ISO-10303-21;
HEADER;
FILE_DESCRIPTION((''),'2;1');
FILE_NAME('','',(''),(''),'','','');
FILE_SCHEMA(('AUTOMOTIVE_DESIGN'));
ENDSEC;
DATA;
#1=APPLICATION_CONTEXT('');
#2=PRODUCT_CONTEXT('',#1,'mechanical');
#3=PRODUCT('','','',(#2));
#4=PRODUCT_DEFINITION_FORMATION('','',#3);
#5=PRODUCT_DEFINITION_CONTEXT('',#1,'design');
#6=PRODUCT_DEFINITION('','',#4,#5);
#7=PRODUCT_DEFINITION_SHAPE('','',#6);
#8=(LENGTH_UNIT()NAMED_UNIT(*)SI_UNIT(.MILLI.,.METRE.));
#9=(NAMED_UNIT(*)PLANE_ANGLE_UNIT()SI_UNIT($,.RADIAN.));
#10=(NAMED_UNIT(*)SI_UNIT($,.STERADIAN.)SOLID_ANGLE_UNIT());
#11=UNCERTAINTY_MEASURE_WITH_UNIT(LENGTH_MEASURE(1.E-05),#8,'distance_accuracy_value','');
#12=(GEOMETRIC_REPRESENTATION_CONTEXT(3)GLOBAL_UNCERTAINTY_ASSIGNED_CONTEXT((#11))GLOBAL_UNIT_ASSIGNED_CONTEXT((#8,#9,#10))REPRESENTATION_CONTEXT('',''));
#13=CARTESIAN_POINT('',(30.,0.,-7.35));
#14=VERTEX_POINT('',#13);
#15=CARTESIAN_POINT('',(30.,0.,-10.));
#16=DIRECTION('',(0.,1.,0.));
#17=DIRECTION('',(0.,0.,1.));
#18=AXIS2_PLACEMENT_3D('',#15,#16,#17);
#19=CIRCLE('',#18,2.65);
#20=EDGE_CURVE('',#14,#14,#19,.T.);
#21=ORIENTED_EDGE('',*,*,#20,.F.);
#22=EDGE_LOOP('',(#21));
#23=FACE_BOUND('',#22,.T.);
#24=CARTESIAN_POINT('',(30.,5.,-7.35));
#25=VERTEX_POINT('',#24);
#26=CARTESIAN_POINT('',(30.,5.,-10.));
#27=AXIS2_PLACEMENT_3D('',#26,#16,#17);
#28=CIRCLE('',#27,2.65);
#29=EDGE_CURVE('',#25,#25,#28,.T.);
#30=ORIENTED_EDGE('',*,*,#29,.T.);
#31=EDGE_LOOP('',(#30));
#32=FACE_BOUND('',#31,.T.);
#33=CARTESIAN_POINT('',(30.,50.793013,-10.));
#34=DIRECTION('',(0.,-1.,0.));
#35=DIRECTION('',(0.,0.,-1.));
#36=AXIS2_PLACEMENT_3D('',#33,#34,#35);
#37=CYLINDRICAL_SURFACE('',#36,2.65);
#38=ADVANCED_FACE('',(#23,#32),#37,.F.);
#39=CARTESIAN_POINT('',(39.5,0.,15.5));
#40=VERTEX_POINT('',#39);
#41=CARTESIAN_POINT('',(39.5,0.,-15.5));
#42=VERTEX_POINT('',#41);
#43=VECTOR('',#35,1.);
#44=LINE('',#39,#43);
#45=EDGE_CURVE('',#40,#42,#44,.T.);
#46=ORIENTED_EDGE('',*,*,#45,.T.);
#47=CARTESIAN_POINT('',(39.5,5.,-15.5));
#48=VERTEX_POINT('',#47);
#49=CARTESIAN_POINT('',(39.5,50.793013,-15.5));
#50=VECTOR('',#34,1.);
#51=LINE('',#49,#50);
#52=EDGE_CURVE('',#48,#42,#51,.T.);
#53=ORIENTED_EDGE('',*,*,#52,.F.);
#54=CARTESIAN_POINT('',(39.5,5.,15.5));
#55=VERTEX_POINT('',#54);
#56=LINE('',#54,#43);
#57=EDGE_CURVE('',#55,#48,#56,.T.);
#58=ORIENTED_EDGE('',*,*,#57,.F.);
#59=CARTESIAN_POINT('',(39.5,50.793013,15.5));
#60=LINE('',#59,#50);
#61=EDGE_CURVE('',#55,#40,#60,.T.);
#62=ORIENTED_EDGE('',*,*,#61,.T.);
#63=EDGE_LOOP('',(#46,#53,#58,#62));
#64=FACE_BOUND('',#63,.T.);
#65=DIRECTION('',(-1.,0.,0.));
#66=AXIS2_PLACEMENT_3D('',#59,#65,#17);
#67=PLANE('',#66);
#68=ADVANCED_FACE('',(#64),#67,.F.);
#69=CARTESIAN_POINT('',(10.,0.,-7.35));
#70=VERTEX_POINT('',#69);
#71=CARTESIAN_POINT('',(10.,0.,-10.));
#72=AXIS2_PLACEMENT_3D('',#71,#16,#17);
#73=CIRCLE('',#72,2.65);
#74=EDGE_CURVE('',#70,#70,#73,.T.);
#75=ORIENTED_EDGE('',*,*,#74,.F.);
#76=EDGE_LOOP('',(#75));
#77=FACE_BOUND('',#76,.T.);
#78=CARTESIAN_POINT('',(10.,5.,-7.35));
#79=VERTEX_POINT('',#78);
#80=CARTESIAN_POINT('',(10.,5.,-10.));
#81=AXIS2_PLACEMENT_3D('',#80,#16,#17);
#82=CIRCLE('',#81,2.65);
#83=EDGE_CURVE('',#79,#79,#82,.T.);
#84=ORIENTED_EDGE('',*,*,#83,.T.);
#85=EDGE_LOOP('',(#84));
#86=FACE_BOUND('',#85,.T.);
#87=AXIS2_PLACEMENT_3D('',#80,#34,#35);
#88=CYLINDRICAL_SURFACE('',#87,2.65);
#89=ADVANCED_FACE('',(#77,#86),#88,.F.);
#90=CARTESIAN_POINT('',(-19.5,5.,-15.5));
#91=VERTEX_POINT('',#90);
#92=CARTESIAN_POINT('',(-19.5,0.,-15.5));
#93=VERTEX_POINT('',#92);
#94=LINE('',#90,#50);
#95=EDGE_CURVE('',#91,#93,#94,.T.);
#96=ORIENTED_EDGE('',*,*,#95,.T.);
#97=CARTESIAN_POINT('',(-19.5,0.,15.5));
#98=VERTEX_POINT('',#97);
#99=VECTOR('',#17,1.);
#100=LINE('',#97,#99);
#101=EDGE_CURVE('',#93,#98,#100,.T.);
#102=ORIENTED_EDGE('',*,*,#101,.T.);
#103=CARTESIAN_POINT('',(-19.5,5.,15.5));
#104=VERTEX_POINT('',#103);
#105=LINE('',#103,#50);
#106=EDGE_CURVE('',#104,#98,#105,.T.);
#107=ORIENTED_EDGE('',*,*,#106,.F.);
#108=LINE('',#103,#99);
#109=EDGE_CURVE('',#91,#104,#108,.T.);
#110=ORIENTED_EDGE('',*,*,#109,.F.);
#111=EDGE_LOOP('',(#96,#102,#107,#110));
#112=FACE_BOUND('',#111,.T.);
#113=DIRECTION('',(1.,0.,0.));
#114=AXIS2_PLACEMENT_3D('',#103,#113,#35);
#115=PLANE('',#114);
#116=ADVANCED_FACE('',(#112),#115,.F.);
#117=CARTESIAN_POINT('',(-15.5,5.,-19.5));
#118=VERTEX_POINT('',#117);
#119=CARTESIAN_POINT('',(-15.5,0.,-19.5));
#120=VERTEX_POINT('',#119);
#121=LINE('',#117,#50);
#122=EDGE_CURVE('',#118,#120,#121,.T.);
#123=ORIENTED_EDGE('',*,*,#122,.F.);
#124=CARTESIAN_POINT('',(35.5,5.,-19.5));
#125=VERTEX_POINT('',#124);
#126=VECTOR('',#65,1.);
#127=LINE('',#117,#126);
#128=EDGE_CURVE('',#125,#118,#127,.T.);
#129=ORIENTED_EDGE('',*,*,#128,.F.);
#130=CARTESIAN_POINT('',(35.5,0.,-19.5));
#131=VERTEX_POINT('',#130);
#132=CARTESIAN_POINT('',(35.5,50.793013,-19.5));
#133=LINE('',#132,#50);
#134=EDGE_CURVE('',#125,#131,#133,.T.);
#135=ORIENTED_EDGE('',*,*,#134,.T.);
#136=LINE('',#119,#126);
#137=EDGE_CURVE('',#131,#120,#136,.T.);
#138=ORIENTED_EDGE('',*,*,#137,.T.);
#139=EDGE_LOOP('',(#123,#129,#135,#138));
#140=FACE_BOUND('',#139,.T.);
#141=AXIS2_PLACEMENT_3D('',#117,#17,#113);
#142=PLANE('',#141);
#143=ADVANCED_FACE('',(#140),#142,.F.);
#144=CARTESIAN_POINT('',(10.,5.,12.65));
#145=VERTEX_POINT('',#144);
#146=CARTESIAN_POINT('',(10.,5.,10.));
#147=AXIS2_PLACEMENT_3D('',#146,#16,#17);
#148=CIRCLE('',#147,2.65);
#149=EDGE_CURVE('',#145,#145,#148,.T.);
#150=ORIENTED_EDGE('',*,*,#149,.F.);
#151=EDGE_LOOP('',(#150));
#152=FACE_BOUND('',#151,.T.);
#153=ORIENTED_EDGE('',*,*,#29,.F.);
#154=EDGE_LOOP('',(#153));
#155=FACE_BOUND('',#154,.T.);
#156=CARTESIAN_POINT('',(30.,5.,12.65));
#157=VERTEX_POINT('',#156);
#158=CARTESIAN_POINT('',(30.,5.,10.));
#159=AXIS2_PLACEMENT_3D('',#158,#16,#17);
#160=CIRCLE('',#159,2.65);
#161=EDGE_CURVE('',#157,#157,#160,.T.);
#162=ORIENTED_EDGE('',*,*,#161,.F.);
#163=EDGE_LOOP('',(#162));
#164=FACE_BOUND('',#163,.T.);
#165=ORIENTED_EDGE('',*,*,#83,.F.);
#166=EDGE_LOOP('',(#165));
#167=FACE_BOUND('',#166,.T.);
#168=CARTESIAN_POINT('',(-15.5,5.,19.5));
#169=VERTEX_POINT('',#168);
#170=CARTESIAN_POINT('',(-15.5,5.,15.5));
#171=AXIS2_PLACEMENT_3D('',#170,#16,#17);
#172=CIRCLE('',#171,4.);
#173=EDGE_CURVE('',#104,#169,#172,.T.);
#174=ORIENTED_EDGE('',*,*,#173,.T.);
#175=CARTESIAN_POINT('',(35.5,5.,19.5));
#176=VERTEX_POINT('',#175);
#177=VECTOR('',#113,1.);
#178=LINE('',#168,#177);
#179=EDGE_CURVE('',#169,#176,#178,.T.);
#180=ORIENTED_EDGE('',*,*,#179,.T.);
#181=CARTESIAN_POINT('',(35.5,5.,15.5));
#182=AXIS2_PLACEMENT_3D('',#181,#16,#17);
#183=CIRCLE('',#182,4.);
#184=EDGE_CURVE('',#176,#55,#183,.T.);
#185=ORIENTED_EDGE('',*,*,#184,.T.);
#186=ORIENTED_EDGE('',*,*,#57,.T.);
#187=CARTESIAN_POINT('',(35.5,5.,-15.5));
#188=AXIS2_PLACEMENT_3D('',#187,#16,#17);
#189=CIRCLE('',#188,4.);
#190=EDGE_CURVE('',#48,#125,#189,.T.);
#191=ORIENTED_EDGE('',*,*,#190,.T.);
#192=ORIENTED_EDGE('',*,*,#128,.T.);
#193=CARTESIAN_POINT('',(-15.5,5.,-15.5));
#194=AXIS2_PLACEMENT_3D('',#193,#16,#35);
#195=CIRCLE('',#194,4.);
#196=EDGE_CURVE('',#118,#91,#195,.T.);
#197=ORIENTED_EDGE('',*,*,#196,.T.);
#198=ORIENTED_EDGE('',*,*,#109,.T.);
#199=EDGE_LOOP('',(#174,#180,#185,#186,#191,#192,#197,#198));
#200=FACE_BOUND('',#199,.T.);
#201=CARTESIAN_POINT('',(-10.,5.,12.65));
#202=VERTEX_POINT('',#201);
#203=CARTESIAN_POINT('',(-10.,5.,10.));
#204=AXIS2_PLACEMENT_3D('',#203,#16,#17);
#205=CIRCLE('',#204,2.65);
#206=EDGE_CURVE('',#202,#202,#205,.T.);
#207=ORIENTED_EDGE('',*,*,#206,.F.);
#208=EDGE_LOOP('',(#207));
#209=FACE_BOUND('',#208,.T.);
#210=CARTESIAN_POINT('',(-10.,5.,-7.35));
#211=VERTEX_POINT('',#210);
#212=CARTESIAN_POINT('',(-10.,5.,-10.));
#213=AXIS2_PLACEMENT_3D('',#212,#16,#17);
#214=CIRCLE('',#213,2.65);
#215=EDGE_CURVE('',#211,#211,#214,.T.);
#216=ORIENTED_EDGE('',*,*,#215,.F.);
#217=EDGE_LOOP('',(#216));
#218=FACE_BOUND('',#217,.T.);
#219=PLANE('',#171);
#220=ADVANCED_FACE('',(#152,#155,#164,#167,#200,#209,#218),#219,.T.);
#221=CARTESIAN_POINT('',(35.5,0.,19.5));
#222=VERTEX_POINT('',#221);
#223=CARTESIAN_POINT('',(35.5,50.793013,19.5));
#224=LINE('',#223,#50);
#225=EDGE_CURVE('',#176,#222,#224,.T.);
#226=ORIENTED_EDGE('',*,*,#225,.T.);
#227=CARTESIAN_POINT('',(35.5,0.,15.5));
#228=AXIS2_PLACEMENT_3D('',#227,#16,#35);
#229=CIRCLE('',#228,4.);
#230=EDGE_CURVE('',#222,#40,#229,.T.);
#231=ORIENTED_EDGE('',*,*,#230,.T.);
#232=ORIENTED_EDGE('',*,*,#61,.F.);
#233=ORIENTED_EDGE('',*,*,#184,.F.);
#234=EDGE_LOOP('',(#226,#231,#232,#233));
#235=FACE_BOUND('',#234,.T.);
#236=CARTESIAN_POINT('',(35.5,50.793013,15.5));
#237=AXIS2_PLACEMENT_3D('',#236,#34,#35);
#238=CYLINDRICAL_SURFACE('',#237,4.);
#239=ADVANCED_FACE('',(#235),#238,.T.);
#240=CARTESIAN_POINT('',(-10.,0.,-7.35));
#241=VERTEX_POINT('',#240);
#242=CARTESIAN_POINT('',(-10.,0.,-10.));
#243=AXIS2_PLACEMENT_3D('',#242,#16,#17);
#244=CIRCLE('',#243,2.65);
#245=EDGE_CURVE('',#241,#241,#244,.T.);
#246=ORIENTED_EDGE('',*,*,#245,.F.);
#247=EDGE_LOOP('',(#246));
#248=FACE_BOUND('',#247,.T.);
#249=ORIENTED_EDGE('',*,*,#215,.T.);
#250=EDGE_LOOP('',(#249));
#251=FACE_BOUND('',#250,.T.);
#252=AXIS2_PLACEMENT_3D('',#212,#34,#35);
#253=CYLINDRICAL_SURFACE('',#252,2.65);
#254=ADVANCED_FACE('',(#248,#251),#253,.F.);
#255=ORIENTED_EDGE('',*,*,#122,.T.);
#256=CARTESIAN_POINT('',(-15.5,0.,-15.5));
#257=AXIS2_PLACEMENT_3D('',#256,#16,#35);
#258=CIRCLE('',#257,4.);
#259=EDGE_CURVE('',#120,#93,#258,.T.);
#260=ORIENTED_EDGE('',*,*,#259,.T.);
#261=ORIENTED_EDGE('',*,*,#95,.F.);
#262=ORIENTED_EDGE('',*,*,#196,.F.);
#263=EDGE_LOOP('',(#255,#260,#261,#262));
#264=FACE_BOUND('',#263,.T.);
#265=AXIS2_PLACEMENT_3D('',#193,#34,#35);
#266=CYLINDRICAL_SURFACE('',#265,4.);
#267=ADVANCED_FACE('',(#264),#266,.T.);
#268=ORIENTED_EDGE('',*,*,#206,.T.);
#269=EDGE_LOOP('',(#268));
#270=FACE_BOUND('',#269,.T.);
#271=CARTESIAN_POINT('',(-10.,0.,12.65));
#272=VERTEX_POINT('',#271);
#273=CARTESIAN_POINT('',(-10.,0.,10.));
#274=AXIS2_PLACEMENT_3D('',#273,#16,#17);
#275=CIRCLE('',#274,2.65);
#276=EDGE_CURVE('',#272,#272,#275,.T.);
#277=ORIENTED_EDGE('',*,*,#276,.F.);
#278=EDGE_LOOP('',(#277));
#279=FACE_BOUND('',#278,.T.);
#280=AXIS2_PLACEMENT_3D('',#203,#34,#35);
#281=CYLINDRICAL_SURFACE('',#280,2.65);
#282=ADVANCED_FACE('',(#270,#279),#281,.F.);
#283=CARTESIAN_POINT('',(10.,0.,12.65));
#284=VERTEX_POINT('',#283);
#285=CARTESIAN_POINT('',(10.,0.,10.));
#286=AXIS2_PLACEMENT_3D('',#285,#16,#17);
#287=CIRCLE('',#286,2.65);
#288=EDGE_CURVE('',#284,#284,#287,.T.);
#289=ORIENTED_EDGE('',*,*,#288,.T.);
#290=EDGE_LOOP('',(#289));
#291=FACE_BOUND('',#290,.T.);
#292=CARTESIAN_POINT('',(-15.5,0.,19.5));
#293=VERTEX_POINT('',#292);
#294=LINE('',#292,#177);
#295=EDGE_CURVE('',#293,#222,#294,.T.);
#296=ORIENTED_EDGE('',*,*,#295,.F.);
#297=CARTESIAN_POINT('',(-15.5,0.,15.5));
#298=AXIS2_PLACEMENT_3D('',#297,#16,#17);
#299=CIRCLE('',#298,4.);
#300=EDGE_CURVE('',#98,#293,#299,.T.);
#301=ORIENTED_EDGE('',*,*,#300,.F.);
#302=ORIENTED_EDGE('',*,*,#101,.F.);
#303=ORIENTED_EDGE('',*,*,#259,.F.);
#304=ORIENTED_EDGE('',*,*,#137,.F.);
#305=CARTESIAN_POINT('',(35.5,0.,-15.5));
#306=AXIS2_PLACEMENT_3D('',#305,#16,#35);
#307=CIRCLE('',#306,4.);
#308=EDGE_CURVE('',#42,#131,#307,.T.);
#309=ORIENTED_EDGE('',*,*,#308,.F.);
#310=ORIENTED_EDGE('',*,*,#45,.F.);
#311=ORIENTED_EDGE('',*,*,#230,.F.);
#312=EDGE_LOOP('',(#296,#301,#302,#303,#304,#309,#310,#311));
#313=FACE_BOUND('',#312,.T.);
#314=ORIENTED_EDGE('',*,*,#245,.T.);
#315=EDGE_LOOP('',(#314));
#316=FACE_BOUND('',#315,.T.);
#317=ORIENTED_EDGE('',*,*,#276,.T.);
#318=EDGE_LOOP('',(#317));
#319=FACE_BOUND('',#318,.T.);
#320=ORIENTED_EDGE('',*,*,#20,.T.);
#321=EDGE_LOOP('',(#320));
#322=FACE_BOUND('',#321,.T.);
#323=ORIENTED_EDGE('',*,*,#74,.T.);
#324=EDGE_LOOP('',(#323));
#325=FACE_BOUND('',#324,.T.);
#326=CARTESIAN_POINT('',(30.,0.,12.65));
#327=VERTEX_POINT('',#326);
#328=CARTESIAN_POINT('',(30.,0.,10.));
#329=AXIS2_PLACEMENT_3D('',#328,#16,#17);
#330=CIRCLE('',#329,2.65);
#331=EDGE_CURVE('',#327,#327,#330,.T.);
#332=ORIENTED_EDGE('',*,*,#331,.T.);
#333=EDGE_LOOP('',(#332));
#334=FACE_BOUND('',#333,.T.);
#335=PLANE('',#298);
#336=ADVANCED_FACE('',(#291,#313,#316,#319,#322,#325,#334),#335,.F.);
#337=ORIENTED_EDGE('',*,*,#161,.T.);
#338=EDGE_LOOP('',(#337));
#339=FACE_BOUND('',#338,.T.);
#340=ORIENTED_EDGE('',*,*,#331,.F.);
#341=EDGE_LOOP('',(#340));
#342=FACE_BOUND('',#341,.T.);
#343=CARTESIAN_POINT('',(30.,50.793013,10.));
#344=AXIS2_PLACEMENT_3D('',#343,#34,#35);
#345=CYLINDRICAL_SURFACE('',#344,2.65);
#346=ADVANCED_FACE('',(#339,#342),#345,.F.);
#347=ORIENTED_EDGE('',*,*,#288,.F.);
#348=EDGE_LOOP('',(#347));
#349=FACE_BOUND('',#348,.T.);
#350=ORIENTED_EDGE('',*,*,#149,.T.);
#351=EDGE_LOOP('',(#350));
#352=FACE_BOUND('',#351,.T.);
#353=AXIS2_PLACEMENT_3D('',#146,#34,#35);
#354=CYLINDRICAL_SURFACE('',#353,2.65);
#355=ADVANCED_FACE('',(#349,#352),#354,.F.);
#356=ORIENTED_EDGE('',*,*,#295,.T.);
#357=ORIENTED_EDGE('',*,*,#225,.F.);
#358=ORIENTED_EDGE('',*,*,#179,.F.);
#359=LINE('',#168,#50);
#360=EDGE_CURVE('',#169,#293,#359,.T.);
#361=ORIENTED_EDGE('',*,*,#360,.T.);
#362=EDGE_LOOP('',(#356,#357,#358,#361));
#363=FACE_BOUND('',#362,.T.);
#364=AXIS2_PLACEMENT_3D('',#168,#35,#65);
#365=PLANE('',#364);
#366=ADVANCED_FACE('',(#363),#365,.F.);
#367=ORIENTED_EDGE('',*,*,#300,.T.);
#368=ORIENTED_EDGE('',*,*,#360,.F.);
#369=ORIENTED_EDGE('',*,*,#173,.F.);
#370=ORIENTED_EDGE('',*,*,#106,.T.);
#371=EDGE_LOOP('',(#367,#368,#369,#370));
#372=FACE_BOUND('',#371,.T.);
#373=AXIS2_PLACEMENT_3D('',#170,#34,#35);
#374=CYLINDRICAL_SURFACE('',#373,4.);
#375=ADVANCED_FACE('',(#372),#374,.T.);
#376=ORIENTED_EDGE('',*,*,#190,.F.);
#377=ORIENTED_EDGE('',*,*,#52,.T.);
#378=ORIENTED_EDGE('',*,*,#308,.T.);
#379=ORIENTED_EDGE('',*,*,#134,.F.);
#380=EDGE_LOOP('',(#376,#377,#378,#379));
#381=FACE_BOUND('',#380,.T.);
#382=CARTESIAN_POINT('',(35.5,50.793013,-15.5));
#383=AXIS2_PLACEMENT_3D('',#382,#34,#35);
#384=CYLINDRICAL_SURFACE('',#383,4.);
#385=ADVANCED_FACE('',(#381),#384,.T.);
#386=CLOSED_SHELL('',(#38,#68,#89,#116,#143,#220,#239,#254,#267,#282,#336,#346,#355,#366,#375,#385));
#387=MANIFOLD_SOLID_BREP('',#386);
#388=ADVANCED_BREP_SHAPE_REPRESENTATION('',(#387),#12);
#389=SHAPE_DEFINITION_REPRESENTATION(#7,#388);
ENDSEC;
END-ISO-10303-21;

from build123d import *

# Parameters (mm, degrees)
F_4_HOLE_PROFILE_SKETCH_R        = 2.65
F_4_HOLE_THICKNESS_EXTRUDE_DEPTH = 5
F_6_HOLE_EXTENSION_SKETCH_R      = 2.65
F_6_HOLE_EXTENSION_EXTRUDE_DEPTH = 5


with BuildPart() as part:
    # 4 Hole Profile Sketch → 4 Hole Thickness Extrude (new body)
    with BuildSketch(Plane(origin=(0, 0, 0), x_dir=(1, 0, 0), z_dir=(0, 1, 0))):
        with BuildLine():
            Line((-15.5, -19.5), (15.5, -19.5))
            ThreePointArc((15.5, -19.5), (18.328427125, -18.328427125), (19.5, -15.5))
            Line((19.5, -15.5), (19.5, 15.5))
            ThreePointArc((19.5, 15.5), (18.328427125, 18.328427125), (15.5, 19.5))
            Line((15.5, 19.5), (-15.5, 19.5))
            ThreePointArc((-15.5, 19.5), (-18.328427125, 18.328427125), (-19.5, 15.5))
            Line((-19.5, 15.5), (-19.5, -15.5))
            ThreePointArc((-19.5, -15.5), (-18.328427125, -18.328427125), (-15.5, -19.5))
        make_face()
        with Locations(Location((10, -10, 0), (0, 0, 270))):
            Circle(F_4_HOLE_PROFILE_SKETCH_R, mode=Mode.SUBTRACT)
        with Locations(Location((10, 10, 0), (0, 0, 270))):
            Circle(F_4_HOLE_PROFILE_SKETCH_R, mode=Mode.SUBTRACT)
        with Locations(Location((-10, -10, 0), (0, 0, 270))):
            Circle(F_4_HOLE_PROFILE_SKETCH_R, mode=Mode.SUBTRACT)
        with Locations(Location((-10, 10, 0), (0, 0, 270))):
            Circle(F_4_HOLE_PROFILE_SKETCH_R, mode=Mode.SUBTRACT)
    extrude(amount=F_4_HOLE_THICKNESS_EXTRUDE_DEPTH)

    # 6 Hole Extension Sketch → 6 Hole Extension Extrude (add)
    with BuildSketch(Plane(origin=(0, 0, 0), x_dir=(1, 0, 0), z_dir=(0, 1, 0))):
        with BuildLine():
            Line((39.5, -15.5), (39.5, 15.5))
            ThreePointArc((39.5, 15.5), (38.328427125, 18.328427125), (35.5, 19.5))
            Line((35.5, 19.5), (15.5, 19.5))
            ThreePointArc((15.5, 19.5), (18.328427125, 18.328427125), (19.5, 15.5))
            Line((19.5, 15.5), (19.5, -15.5))
            ThreePointArc((19.5, -15.5), (18.328427125, -18.328427125), (15.5, -19.5))
            Line((15.5, -19.5), (35.5, -19.5))
            ThreePointArc((35.5, -19.5), (38.328427125, -18.328427125), (39.5, -15.5))
        make_face()
        with Locations(Location((30, -10, 0), (0, 0, 270))):
            Circle(F_6_HOLE_EXTENSION_SKETCH_R, mode=Mode.SUBTRACT)
        with Locations(Location((30, 10, 0), (0, 0, 270))):
            Circle(F_6_HOLE_EXTENSION_SKETCH_R, mode=Mode.SUBTRACT)
    extrude(amount=F_6_HOLE_EXTENSION_EXTRUDE_DEPTH)


solid = part.part
